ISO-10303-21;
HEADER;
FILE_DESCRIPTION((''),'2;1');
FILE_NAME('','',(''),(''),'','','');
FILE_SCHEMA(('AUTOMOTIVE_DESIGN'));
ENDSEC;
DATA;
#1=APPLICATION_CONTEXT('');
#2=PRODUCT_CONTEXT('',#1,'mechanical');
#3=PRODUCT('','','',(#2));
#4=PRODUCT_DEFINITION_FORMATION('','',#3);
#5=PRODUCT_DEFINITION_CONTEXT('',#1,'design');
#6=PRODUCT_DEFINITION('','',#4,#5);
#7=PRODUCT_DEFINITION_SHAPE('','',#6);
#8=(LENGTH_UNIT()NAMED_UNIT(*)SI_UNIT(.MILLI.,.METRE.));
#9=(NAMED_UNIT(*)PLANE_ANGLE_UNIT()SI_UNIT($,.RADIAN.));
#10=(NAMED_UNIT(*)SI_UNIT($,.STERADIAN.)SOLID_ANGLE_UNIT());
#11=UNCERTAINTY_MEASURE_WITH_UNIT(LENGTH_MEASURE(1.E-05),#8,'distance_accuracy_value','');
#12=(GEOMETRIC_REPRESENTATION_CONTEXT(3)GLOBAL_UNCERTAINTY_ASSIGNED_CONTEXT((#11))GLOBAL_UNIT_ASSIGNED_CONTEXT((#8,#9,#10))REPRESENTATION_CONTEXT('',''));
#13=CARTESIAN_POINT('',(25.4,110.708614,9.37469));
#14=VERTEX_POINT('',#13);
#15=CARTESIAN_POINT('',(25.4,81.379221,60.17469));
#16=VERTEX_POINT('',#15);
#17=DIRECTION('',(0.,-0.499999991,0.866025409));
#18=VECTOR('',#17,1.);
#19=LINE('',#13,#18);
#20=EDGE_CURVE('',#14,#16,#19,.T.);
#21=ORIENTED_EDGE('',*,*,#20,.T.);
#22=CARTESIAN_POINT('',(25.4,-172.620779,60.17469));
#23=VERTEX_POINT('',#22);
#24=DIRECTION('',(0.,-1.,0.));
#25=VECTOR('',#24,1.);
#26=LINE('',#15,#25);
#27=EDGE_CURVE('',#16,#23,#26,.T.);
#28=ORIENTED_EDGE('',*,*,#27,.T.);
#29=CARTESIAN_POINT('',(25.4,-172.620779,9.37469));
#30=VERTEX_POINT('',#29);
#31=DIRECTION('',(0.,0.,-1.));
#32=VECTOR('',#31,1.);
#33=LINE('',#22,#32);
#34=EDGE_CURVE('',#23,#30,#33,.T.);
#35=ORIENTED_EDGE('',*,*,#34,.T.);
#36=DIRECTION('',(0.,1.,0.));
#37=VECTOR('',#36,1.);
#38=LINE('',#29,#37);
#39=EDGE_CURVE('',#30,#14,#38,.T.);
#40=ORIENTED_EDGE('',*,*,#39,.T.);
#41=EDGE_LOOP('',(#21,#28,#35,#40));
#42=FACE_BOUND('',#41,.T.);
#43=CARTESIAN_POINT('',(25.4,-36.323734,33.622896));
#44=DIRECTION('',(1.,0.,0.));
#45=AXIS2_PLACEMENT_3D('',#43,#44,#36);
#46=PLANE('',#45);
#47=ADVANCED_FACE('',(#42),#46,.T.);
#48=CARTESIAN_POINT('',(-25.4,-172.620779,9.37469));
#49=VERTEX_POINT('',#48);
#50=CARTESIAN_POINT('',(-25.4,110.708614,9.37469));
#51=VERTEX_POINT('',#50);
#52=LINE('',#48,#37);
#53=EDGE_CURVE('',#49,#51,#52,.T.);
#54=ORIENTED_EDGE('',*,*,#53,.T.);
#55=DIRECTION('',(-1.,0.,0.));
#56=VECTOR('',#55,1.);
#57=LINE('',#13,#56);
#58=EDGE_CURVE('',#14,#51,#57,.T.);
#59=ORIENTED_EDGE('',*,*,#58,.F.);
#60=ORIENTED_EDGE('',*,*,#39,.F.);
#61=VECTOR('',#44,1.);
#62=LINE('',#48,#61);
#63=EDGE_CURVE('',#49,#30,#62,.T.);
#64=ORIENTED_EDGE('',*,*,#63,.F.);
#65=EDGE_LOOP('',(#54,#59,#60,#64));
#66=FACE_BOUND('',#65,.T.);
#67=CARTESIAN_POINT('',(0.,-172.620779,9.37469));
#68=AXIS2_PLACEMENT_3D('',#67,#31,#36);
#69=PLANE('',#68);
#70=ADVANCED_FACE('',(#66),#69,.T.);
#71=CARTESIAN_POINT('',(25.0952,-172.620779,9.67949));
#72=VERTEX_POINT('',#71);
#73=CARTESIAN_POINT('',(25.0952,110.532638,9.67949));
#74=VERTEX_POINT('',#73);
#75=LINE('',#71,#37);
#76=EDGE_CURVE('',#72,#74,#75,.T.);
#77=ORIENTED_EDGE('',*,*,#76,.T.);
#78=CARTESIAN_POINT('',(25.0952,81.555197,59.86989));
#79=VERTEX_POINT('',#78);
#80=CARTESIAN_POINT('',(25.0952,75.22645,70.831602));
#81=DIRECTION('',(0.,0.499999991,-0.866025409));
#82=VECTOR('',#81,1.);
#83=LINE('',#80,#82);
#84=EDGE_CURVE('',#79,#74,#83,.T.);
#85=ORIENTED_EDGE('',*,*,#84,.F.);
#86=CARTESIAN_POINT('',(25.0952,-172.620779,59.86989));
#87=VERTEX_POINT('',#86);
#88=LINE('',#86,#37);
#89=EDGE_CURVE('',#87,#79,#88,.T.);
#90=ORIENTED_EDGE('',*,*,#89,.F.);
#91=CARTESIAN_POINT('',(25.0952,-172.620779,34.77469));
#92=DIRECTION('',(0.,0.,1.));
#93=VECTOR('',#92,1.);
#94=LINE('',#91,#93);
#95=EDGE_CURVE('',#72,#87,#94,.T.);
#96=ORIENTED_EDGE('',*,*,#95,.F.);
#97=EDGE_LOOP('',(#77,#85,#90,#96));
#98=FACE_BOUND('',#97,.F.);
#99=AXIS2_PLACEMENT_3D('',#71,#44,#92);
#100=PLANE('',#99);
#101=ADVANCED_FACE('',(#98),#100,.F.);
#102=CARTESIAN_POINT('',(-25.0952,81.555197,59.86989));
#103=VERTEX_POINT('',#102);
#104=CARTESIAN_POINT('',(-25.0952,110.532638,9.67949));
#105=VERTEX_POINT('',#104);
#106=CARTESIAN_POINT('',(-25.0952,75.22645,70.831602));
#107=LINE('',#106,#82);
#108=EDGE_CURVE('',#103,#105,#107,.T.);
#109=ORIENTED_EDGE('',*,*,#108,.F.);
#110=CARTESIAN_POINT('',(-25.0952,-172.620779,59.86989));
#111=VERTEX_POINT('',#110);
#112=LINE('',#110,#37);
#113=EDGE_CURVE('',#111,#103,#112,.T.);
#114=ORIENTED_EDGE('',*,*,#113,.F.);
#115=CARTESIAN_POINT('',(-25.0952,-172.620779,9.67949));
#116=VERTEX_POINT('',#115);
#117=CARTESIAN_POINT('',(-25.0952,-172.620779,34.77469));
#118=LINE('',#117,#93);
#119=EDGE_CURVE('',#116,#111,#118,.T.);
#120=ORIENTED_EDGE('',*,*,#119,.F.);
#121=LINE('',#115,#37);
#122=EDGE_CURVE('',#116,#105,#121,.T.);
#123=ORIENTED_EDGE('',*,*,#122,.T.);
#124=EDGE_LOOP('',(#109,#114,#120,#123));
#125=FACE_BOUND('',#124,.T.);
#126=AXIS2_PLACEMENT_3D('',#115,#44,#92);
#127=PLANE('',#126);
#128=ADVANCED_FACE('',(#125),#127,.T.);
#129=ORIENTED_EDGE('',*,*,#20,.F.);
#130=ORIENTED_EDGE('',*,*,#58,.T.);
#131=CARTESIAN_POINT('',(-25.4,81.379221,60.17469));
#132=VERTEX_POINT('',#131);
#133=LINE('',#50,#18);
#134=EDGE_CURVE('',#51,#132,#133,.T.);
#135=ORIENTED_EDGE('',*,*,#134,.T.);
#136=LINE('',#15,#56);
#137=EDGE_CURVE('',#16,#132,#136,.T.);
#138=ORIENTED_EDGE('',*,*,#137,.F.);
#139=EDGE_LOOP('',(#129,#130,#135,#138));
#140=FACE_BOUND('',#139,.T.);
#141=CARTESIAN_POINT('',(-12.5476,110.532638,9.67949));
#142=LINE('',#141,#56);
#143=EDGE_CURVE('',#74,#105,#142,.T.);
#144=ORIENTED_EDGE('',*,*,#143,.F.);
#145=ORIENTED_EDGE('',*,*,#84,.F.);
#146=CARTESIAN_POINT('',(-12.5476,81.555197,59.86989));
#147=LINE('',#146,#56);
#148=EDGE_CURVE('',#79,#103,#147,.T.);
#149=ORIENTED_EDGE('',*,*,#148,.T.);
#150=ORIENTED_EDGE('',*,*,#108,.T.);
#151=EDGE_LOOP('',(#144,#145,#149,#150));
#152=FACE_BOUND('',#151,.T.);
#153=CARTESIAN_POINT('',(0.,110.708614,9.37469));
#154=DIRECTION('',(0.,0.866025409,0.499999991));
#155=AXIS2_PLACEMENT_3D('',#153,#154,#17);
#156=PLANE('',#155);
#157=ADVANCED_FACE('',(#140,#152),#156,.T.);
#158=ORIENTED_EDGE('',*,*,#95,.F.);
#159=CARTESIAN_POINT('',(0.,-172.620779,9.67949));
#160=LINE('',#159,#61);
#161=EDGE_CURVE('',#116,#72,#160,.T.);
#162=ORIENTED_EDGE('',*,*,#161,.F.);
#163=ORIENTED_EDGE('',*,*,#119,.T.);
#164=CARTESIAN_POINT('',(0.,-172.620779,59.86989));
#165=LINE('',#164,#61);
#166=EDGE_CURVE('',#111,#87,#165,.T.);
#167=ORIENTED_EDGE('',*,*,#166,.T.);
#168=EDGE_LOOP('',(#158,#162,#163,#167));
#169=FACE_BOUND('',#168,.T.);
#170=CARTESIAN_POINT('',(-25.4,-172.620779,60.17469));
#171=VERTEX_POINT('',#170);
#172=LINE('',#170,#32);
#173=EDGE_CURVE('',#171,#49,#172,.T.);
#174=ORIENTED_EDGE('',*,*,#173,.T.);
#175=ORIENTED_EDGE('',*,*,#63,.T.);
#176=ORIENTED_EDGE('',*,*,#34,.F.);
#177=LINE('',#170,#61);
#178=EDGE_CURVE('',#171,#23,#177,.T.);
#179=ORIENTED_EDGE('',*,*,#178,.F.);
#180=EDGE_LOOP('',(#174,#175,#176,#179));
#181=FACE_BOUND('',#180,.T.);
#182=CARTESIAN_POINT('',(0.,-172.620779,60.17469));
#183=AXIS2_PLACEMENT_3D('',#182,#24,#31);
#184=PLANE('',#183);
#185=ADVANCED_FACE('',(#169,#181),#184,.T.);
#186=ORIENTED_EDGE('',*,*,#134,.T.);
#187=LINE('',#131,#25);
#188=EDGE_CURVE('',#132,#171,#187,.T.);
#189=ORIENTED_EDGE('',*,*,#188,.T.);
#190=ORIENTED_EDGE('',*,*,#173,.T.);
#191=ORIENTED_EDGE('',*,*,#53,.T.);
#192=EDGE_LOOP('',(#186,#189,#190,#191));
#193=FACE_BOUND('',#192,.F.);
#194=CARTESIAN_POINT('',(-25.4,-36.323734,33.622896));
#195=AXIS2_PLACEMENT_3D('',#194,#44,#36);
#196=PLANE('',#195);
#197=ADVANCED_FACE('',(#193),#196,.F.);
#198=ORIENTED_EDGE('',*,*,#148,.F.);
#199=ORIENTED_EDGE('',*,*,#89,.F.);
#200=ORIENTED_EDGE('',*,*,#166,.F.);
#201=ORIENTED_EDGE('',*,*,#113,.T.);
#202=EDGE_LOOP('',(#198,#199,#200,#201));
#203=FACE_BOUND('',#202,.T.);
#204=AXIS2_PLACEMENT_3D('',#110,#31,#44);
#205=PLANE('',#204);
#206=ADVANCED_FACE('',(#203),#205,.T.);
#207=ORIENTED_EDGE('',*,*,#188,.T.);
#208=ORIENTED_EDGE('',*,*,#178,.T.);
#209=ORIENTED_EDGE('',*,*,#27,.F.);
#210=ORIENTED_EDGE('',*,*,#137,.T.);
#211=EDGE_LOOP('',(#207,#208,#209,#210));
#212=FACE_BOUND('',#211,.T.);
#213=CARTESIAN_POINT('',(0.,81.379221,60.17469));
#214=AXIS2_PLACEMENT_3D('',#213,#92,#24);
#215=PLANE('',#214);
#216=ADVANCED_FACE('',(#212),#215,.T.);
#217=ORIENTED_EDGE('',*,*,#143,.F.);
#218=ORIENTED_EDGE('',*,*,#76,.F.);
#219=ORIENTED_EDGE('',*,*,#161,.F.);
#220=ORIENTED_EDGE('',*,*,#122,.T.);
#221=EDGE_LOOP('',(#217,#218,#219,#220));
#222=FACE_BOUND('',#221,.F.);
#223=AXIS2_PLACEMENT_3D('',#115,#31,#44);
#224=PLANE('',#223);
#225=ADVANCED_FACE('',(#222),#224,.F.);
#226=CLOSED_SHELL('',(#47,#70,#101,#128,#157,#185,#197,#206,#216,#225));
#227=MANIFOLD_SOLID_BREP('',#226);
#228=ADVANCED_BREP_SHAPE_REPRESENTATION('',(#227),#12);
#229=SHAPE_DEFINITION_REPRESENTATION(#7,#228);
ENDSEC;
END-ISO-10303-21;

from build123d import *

# Parameters (mm, degrees)
F1_DEPTH = 25.4
F2_W     = 50.1904
F2_H     = 50.1904
F3_DEPTH = 283.330394


with BuildPart() as f1:
    # F0 (on Right) → F1 (new body, symmetric)
    with BuildSketch(Plane.YZ):
        Polygon((81.379221, 60.17469), (-172.620779, 60.17469), (-172.620779, 9.37469), (110.708614, 9.37469), align=None)
    extrude(amount=F1_DEPTH, both=True)

    # F2 (on face) → F3 (cut, through all)
    with BuildSketch(Plane.XZ.offset(172.620779)):
        with Locations((0, 34.77469)):
            Rectangle(F2_W, F2_H)
    extrude(amount=-F3_DEPTH, mode=Mode.SUBTRACT)


solid = f1.part
